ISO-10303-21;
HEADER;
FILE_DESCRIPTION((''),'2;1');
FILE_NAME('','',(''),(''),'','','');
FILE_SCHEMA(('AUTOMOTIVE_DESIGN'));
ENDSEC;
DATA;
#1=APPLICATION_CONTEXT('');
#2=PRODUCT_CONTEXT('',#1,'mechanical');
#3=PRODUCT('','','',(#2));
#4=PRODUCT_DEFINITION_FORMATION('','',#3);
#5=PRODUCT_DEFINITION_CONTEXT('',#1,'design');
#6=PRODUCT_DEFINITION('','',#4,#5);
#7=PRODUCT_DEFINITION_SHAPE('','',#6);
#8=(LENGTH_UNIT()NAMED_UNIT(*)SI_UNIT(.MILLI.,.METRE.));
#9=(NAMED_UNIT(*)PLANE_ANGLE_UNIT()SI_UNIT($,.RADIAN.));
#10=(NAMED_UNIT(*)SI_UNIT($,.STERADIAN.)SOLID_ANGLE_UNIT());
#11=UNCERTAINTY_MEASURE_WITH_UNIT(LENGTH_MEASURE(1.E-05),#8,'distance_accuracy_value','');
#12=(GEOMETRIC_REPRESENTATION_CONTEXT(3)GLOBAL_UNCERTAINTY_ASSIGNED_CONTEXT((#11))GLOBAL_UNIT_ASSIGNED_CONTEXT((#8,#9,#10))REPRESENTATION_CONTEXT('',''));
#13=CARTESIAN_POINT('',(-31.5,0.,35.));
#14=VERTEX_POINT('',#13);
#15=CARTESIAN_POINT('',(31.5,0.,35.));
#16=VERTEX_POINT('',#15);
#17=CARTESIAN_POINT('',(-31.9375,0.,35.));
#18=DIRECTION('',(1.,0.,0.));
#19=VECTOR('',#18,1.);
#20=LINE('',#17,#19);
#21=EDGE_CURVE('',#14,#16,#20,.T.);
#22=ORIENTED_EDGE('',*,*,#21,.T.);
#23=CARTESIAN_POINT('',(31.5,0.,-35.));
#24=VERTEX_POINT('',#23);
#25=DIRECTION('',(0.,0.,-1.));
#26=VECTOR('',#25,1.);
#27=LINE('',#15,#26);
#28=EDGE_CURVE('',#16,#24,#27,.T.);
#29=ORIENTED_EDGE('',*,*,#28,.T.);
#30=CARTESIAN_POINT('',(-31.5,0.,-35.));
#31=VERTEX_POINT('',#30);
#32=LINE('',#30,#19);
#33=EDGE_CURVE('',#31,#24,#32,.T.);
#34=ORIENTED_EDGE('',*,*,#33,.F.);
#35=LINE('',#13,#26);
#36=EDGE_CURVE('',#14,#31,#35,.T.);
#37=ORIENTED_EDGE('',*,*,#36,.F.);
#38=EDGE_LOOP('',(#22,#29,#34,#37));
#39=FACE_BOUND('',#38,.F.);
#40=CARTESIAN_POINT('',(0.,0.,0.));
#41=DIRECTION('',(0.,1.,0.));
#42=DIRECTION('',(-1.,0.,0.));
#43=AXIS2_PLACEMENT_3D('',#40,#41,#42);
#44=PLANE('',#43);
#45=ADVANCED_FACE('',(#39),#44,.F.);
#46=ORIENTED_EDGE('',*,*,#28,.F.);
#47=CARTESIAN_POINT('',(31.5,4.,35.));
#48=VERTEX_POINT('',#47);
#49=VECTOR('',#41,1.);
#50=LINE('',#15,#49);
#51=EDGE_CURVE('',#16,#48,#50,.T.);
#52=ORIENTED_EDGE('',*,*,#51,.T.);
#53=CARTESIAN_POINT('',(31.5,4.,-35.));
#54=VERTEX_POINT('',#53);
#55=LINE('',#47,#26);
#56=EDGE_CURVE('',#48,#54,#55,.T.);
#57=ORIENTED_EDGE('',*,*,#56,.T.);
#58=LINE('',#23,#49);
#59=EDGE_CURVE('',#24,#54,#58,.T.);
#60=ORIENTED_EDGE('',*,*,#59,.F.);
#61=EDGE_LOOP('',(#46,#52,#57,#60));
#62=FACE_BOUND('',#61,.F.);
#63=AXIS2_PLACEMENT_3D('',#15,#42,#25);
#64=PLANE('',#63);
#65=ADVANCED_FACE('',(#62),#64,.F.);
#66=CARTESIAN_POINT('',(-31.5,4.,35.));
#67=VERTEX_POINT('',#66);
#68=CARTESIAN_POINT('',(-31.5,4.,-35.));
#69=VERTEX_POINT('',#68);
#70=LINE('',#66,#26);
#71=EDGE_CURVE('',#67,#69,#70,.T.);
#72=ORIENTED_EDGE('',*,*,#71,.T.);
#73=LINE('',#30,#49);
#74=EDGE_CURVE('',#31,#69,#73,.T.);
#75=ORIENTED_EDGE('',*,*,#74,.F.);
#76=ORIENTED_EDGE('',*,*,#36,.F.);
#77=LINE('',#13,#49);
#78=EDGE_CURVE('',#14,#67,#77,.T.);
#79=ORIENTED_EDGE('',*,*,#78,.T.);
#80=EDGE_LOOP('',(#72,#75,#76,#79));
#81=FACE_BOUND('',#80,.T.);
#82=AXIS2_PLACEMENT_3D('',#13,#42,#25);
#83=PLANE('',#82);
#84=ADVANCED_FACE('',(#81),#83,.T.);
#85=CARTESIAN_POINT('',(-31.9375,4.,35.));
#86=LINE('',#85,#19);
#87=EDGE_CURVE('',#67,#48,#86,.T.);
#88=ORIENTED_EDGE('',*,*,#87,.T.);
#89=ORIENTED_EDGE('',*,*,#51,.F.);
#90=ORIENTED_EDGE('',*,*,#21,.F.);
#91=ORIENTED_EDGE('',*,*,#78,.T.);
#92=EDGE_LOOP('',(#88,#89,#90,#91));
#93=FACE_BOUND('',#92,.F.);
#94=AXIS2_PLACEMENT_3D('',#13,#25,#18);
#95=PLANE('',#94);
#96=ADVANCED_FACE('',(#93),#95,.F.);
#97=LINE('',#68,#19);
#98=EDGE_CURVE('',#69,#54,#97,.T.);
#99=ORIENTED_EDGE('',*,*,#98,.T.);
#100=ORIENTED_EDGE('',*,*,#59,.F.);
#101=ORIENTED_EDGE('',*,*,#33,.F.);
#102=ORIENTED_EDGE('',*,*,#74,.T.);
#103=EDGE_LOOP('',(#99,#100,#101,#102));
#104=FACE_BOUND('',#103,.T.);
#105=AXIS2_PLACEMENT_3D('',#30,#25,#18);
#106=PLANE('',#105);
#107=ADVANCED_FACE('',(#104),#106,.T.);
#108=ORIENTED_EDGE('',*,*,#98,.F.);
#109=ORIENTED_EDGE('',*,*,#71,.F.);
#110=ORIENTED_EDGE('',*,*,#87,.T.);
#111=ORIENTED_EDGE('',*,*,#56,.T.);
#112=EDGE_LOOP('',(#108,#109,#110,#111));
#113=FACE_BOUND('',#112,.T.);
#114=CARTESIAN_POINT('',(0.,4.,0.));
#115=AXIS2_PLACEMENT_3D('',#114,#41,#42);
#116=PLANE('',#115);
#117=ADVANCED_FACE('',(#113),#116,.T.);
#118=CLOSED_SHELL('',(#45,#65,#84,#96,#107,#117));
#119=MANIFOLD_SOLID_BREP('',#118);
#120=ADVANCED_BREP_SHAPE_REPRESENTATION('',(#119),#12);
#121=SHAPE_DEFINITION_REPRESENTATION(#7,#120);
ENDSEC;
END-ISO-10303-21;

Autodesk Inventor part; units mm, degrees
ref_plane "YZ Plane" through (0, 0, 0) normal (1, 0, 0) x (0, 1, 0)
ref_plane "XZ Plane" through (0, 0, 0) normal (0, 1, 0) x (-1, 0, 0)
ref_plane "XY Plane" through (0, 0, 0) normal (0, 0, 1) x (1, 0, 0)
sketch "Sketch1" plane through (0, 0, 0) normal (0, 1, 0) x (-1, 0, 0)
  line L0 (-36.5, -40) -> (-36.5, 40)
  line L1 (36.5, 40) -> (36.5, -40)
  line L2 (-36.5, 40) -> (36.5, -40) construction
  line L3 (36.5, 40) -> (-36.5, -40) construction
  line L4 (36.5, 40) -> (36.5, 13)
  line L5 (-36.5, 40) -> (36.5, 40)
  line L6 (-36.5, -40) -> (-9.5, -40)
  line L7 (-36.5, -40) -> (18.5, -40)
  line L8 (36.5, -40) -> (-36.5, -40)
  line L9 (31.9375, 35) -> (-31.5, 35)
  line L10 (-31.5, 35) -> (-31.5, -35)
  line L11 (31.5, 35) -> (31.5, -35)
  line L12 (31.5, -35) -> (-31.5, -35)
  dimension "d0" = 73
  dimension "d1" = 80
  dimension "d18" = 70
  dimension "d19" = 63
extrude "Extrusion1" add sketch "Sketch1" along normal blind 4 contours L11 L12 L10 L9
properties part number "Hood_Top"
